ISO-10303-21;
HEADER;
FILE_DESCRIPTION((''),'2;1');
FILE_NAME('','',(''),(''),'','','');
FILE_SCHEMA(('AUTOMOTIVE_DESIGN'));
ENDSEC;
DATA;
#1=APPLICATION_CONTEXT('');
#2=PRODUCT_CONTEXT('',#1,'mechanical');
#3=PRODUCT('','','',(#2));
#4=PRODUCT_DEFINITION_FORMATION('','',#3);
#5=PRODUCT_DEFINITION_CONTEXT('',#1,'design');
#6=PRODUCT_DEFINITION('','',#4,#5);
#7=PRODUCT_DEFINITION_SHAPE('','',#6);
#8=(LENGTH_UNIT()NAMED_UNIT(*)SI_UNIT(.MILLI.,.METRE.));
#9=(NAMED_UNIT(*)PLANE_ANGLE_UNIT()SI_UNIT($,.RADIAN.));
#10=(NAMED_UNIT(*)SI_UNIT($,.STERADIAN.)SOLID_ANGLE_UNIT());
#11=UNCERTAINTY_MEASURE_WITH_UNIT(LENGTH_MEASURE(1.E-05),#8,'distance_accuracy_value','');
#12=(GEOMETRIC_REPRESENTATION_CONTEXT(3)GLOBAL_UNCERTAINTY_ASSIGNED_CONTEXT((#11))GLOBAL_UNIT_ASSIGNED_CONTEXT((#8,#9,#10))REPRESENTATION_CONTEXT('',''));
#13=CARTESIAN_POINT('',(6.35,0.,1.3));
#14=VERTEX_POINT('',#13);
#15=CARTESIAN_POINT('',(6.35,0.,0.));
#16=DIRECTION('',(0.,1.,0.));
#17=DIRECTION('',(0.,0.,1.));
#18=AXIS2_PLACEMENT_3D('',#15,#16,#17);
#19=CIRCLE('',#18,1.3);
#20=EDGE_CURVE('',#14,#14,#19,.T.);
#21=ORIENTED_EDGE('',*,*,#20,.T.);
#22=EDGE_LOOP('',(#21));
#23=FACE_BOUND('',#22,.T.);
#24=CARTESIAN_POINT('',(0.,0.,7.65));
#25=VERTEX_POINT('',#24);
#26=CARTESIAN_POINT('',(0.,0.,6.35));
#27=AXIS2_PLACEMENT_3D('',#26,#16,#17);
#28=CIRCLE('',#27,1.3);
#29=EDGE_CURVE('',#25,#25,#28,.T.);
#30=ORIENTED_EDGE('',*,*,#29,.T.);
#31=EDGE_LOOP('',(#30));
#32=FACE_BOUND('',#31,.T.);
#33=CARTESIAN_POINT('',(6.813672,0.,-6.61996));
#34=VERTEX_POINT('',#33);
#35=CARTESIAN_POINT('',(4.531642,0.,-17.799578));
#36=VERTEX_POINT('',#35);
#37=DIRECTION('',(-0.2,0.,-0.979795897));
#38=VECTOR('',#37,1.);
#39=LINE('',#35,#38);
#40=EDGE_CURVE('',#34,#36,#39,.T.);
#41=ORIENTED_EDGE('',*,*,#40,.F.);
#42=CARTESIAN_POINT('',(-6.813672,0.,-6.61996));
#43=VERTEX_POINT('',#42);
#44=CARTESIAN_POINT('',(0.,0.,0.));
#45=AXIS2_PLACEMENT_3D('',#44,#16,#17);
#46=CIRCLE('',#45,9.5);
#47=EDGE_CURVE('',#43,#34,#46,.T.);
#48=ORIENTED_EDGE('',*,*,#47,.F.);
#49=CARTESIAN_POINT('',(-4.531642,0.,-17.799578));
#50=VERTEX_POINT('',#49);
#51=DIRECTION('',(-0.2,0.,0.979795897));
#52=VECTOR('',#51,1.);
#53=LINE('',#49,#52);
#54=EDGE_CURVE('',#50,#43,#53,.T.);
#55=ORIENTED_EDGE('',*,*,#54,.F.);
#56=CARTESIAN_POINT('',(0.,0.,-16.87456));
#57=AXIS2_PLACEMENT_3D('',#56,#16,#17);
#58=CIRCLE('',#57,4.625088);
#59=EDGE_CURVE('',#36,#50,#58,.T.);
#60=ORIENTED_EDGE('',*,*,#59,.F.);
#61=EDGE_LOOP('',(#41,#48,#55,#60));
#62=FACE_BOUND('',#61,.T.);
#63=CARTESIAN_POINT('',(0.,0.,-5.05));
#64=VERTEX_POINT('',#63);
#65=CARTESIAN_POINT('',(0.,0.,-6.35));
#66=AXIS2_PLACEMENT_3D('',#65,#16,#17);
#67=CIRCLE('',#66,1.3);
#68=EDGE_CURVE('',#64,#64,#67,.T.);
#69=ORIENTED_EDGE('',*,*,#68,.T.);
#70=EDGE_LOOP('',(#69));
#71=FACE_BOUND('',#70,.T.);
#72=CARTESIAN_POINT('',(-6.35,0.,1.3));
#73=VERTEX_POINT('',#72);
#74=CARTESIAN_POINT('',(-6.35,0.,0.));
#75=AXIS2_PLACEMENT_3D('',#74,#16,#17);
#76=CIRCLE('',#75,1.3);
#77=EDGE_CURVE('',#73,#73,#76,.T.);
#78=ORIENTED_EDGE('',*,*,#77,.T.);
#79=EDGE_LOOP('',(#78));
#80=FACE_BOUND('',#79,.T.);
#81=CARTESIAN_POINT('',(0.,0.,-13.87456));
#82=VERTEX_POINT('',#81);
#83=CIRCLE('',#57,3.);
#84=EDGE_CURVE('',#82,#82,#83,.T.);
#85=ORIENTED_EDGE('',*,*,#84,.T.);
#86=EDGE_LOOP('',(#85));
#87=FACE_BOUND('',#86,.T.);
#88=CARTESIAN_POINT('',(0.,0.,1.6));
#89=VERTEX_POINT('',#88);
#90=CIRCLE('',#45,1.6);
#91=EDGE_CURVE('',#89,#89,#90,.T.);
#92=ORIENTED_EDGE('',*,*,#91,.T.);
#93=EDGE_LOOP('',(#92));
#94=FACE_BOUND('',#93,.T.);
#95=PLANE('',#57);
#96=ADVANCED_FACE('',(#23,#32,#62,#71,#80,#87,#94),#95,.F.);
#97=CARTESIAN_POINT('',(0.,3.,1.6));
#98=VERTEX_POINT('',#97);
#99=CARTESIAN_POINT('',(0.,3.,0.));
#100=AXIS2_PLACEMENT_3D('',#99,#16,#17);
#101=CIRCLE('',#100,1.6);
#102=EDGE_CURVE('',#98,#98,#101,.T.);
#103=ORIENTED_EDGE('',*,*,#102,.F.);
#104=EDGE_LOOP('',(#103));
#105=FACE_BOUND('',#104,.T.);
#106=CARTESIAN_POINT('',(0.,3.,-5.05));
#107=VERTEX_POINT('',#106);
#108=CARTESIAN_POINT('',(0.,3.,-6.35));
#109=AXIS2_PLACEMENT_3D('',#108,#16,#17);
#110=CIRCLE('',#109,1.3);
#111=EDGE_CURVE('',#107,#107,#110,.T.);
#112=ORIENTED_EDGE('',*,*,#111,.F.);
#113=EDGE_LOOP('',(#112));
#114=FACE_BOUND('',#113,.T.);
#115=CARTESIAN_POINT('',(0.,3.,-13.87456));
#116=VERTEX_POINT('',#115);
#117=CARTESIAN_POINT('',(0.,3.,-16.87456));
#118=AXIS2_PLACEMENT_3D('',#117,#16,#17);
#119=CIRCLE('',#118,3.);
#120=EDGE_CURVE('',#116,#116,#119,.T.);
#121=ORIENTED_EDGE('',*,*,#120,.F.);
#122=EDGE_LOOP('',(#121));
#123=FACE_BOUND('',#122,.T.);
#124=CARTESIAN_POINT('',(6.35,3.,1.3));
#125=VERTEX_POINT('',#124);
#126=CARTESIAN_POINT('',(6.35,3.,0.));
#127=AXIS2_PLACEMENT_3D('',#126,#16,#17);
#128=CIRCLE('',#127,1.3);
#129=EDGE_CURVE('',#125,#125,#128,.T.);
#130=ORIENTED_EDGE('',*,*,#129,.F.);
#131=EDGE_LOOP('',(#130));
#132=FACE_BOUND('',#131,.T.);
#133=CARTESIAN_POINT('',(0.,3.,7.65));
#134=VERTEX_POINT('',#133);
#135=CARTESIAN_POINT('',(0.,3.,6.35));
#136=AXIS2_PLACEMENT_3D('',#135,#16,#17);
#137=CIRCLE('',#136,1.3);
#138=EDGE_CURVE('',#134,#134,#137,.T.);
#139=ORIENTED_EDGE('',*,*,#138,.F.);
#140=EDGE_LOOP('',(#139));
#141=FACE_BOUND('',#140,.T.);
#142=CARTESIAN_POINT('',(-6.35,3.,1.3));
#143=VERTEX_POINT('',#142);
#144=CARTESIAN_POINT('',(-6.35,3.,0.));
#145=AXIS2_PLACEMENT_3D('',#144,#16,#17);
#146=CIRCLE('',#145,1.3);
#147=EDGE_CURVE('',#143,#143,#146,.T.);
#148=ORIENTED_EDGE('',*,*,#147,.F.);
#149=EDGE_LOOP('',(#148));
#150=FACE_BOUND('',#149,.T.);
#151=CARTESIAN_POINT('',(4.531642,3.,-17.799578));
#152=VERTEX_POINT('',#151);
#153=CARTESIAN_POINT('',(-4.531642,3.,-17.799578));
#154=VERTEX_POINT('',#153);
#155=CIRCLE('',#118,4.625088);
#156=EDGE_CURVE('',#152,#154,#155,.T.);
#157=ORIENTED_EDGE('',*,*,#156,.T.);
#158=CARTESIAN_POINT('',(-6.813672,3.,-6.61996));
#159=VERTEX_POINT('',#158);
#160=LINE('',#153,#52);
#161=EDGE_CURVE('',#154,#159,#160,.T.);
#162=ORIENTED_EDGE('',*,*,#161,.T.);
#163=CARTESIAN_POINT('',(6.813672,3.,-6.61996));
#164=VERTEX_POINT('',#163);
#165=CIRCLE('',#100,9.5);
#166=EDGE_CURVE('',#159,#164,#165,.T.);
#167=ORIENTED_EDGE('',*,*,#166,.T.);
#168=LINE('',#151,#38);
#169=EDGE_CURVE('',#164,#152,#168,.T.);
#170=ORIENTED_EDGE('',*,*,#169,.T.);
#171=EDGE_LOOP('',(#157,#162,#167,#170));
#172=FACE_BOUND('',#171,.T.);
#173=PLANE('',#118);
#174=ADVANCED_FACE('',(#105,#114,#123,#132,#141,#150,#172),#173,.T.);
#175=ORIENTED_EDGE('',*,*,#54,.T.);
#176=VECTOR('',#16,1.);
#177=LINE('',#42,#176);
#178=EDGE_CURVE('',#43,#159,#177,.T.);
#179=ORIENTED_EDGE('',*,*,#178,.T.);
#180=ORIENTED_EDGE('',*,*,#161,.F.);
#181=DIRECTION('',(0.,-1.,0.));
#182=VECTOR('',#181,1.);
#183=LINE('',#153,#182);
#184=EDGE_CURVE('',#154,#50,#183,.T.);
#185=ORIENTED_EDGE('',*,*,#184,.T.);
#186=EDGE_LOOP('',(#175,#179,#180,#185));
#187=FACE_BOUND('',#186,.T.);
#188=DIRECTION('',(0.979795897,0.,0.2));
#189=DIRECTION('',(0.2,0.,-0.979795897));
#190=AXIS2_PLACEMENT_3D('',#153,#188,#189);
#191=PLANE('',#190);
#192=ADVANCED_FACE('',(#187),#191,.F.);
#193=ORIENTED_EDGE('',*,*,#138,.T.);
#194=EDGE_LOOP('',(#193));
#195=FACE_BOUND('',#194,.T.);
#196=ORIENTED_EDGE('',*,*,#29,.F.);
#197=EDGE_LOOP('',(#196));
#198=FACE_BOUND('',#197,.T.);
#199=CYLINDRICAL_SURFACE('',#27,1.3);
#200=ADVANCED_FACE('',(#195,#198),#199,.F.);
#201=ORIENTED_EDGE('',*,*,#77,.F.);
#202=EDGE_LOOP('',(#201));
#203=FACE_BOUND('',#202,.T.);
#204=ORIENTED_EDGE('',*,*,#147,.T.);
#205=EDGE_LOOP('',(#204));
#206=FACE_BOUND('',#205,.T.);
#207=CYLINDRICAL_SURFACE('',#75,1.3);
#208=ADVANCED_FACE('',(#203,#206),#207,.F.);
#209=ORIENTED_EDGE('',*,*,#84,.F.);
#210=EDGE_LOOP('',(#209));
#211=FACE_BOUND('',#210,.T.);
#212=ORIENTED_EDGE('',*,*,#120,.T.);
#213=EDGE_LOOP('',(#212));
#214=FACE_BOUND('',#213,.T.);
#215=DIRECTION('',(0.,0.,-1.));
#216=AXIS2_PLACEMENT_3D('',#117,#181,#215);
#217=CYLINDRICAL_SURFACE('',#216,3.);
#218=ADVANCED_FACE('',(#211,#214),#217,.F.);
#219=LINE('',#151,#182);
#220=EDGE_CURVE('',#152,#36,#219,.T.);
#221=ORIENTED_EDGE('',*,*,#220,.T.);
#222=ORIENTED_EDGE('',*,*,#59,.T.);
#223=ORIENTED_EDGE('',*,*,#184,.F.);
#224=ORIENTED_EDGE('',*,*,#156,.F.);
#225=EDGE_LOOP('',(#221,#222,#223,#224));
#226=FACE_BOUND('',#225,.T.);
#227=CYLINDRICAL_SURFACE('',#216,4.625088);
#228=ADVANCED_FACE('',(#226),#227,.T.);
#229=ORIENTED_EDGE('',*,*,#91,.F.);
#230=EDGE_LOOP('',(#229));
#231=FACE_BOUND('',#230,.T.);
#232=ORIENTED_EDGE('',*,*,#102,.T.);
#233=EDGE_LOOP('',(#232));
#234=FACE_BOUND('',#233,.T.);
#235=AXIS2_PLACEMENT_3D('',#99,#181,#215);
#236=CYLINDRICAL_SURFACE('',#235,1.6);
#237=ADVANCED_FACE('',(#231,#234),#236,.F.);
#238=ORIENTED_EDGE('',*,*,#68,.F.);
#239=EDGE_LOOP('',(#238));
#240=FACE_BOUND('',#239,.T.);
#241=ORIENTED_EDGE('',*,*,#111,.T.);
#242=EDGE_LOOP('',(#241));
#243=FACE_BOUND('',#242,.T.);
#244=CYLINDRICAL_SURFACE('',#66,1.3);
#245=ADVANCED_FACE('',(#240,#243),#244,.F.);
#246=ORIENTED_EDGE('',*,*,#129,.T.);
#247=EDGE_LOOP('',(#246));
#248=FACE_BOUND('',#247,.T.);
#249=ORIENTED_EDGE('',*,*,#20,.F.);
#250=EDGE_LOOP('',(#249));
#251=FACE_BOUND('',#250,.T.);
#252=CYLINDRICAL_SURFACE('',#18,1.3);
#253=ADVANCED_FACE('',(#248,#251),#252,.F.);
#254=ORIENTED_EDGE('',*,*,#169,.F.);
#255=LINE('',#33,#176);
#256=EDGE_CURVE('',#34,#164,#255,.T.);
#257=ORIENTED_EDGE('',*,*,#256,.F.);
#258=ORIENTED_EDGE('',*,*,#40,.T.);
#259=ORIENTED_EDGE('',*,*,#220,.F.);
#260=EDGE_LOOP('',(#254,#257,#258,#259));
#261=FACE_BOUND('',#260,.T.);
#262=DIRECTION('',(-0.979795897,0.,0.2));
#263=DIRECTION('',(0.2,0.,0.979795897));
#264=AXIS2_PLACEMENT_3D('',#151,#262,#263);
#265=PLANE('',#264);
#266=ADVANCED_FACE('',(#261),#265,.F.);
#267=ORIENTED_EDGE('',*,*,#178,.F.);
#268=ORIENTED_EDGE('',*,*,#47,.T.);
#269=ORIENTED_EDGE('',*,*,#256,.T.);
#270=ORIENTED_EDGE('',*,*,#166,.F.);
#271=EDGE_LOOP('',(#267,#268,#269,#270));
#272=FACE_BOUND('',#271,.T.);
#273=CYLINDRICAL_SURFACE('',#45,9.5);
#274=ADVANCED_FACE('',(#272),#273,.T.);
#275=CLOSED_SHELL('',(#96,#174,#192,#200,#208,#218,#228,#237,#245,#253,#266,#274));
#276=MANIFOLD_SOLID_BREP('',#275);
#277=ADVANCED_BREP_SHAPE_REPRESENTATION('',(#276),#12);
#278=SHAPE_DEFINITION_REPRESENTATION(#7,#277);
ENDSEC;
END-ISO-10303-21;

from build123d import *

# Parameters (mm, degrees)
SKETCH1_R           = 3
SKETCH1_R_2         = 1.6
BOSS_EXTRUDE1_DEPTH = 3
SKETCH2_R           = 1.3
CUT_EXTRUDE1_DEPTH  = 3
BOSS_EXTRUDE2_START = -3
BOSS_EXTRUDE2_DEPTH = 3


with BuildPart() as part:
    # Sketch1 → Boss-Extrude1 (new body)
    with BuildSketch(Plane(origin=(0, 0, 0), x_dir=(1, 0, 0), z_dir=(0, 1, 0))):
        with BuildLine():
            Line((-4.531642246, 17.7995776), (-7.838367177, 1.6))
            ThreePointArc((-7.838367177, 1.6), (0, -8), (7.838367177, 1.6))
            Line((7.838367177, 1.6), (4.531642246, 17.7995776))
            ThreePointArc((4.531642246, 17.7995776), (0, 21.499648), (-4.531642246, 17.7995776))
        make_face()
        with Locations(Location((0, 16.87456, 0), (0, 0, 270))):
            Circle(SKETCH1_R, mode=Mode.SUBTRACT)
        with Locations(Location((0, 0, 0), (0, 0, 270))):
            Circle(SKETCH1_R_2, mode=Mode.SUBTRACT)
    extrude(amount=BOSS_EXTRUDE1_DEPTH)

    # Sketch2 → Cut-Extrude1 (cut)
    with BuildSketch(Plane(origin=(0, 3, 0), x_dir=(1, 0, 0), z_dir=(0, 1, 0))):
        with Locations(Location((0, 6.35, 0), (0, 0, 270))):
            Circle(SKETCH2_R)
        with Locations(Location((6.35, 0, 0), (0, 0, 270))):
            Circle(SKETCH2_R)
        with Locations(Location((0, -6.35, 0), (0, 0, 270))):
            Circle(SKETCH2_R)
        with Locations(Location((-6.35, 0, 0), (0, 0, 270))):
            Circle(SKETCH2_R)
    extrude(amount=-CUT_EXTRUDE1_DEPTH, mode=Mode.SUBTRACT)

    # Sketch3 → Boss-Extrude2 (add)
    with BuildSketch(Plane(origin=(0, 3, 0), x_dir=(1, 0, 0), z_dir=(0, 1, 0)).offset(BOSS_EXTRUDE2_START)):
        with BuildLine():
            Line((-7.838367177, 1.6), (-6.8136721, 6.619960159))
            ThreePointArc((-6.8136721, 6.619960159), (0, -9.5), (6.8136721, 6.619960159))
            Line((6.8136721, 6.619960159), (7.838367177, 1.6))
            ThreePointArc((7.838367177, 1.6), (0, -8), (-7.838367177, 1.6))
        make_face()
    extrude(amount=BOSS_EXTRUDE2_DEPTH)


solid = part.part
